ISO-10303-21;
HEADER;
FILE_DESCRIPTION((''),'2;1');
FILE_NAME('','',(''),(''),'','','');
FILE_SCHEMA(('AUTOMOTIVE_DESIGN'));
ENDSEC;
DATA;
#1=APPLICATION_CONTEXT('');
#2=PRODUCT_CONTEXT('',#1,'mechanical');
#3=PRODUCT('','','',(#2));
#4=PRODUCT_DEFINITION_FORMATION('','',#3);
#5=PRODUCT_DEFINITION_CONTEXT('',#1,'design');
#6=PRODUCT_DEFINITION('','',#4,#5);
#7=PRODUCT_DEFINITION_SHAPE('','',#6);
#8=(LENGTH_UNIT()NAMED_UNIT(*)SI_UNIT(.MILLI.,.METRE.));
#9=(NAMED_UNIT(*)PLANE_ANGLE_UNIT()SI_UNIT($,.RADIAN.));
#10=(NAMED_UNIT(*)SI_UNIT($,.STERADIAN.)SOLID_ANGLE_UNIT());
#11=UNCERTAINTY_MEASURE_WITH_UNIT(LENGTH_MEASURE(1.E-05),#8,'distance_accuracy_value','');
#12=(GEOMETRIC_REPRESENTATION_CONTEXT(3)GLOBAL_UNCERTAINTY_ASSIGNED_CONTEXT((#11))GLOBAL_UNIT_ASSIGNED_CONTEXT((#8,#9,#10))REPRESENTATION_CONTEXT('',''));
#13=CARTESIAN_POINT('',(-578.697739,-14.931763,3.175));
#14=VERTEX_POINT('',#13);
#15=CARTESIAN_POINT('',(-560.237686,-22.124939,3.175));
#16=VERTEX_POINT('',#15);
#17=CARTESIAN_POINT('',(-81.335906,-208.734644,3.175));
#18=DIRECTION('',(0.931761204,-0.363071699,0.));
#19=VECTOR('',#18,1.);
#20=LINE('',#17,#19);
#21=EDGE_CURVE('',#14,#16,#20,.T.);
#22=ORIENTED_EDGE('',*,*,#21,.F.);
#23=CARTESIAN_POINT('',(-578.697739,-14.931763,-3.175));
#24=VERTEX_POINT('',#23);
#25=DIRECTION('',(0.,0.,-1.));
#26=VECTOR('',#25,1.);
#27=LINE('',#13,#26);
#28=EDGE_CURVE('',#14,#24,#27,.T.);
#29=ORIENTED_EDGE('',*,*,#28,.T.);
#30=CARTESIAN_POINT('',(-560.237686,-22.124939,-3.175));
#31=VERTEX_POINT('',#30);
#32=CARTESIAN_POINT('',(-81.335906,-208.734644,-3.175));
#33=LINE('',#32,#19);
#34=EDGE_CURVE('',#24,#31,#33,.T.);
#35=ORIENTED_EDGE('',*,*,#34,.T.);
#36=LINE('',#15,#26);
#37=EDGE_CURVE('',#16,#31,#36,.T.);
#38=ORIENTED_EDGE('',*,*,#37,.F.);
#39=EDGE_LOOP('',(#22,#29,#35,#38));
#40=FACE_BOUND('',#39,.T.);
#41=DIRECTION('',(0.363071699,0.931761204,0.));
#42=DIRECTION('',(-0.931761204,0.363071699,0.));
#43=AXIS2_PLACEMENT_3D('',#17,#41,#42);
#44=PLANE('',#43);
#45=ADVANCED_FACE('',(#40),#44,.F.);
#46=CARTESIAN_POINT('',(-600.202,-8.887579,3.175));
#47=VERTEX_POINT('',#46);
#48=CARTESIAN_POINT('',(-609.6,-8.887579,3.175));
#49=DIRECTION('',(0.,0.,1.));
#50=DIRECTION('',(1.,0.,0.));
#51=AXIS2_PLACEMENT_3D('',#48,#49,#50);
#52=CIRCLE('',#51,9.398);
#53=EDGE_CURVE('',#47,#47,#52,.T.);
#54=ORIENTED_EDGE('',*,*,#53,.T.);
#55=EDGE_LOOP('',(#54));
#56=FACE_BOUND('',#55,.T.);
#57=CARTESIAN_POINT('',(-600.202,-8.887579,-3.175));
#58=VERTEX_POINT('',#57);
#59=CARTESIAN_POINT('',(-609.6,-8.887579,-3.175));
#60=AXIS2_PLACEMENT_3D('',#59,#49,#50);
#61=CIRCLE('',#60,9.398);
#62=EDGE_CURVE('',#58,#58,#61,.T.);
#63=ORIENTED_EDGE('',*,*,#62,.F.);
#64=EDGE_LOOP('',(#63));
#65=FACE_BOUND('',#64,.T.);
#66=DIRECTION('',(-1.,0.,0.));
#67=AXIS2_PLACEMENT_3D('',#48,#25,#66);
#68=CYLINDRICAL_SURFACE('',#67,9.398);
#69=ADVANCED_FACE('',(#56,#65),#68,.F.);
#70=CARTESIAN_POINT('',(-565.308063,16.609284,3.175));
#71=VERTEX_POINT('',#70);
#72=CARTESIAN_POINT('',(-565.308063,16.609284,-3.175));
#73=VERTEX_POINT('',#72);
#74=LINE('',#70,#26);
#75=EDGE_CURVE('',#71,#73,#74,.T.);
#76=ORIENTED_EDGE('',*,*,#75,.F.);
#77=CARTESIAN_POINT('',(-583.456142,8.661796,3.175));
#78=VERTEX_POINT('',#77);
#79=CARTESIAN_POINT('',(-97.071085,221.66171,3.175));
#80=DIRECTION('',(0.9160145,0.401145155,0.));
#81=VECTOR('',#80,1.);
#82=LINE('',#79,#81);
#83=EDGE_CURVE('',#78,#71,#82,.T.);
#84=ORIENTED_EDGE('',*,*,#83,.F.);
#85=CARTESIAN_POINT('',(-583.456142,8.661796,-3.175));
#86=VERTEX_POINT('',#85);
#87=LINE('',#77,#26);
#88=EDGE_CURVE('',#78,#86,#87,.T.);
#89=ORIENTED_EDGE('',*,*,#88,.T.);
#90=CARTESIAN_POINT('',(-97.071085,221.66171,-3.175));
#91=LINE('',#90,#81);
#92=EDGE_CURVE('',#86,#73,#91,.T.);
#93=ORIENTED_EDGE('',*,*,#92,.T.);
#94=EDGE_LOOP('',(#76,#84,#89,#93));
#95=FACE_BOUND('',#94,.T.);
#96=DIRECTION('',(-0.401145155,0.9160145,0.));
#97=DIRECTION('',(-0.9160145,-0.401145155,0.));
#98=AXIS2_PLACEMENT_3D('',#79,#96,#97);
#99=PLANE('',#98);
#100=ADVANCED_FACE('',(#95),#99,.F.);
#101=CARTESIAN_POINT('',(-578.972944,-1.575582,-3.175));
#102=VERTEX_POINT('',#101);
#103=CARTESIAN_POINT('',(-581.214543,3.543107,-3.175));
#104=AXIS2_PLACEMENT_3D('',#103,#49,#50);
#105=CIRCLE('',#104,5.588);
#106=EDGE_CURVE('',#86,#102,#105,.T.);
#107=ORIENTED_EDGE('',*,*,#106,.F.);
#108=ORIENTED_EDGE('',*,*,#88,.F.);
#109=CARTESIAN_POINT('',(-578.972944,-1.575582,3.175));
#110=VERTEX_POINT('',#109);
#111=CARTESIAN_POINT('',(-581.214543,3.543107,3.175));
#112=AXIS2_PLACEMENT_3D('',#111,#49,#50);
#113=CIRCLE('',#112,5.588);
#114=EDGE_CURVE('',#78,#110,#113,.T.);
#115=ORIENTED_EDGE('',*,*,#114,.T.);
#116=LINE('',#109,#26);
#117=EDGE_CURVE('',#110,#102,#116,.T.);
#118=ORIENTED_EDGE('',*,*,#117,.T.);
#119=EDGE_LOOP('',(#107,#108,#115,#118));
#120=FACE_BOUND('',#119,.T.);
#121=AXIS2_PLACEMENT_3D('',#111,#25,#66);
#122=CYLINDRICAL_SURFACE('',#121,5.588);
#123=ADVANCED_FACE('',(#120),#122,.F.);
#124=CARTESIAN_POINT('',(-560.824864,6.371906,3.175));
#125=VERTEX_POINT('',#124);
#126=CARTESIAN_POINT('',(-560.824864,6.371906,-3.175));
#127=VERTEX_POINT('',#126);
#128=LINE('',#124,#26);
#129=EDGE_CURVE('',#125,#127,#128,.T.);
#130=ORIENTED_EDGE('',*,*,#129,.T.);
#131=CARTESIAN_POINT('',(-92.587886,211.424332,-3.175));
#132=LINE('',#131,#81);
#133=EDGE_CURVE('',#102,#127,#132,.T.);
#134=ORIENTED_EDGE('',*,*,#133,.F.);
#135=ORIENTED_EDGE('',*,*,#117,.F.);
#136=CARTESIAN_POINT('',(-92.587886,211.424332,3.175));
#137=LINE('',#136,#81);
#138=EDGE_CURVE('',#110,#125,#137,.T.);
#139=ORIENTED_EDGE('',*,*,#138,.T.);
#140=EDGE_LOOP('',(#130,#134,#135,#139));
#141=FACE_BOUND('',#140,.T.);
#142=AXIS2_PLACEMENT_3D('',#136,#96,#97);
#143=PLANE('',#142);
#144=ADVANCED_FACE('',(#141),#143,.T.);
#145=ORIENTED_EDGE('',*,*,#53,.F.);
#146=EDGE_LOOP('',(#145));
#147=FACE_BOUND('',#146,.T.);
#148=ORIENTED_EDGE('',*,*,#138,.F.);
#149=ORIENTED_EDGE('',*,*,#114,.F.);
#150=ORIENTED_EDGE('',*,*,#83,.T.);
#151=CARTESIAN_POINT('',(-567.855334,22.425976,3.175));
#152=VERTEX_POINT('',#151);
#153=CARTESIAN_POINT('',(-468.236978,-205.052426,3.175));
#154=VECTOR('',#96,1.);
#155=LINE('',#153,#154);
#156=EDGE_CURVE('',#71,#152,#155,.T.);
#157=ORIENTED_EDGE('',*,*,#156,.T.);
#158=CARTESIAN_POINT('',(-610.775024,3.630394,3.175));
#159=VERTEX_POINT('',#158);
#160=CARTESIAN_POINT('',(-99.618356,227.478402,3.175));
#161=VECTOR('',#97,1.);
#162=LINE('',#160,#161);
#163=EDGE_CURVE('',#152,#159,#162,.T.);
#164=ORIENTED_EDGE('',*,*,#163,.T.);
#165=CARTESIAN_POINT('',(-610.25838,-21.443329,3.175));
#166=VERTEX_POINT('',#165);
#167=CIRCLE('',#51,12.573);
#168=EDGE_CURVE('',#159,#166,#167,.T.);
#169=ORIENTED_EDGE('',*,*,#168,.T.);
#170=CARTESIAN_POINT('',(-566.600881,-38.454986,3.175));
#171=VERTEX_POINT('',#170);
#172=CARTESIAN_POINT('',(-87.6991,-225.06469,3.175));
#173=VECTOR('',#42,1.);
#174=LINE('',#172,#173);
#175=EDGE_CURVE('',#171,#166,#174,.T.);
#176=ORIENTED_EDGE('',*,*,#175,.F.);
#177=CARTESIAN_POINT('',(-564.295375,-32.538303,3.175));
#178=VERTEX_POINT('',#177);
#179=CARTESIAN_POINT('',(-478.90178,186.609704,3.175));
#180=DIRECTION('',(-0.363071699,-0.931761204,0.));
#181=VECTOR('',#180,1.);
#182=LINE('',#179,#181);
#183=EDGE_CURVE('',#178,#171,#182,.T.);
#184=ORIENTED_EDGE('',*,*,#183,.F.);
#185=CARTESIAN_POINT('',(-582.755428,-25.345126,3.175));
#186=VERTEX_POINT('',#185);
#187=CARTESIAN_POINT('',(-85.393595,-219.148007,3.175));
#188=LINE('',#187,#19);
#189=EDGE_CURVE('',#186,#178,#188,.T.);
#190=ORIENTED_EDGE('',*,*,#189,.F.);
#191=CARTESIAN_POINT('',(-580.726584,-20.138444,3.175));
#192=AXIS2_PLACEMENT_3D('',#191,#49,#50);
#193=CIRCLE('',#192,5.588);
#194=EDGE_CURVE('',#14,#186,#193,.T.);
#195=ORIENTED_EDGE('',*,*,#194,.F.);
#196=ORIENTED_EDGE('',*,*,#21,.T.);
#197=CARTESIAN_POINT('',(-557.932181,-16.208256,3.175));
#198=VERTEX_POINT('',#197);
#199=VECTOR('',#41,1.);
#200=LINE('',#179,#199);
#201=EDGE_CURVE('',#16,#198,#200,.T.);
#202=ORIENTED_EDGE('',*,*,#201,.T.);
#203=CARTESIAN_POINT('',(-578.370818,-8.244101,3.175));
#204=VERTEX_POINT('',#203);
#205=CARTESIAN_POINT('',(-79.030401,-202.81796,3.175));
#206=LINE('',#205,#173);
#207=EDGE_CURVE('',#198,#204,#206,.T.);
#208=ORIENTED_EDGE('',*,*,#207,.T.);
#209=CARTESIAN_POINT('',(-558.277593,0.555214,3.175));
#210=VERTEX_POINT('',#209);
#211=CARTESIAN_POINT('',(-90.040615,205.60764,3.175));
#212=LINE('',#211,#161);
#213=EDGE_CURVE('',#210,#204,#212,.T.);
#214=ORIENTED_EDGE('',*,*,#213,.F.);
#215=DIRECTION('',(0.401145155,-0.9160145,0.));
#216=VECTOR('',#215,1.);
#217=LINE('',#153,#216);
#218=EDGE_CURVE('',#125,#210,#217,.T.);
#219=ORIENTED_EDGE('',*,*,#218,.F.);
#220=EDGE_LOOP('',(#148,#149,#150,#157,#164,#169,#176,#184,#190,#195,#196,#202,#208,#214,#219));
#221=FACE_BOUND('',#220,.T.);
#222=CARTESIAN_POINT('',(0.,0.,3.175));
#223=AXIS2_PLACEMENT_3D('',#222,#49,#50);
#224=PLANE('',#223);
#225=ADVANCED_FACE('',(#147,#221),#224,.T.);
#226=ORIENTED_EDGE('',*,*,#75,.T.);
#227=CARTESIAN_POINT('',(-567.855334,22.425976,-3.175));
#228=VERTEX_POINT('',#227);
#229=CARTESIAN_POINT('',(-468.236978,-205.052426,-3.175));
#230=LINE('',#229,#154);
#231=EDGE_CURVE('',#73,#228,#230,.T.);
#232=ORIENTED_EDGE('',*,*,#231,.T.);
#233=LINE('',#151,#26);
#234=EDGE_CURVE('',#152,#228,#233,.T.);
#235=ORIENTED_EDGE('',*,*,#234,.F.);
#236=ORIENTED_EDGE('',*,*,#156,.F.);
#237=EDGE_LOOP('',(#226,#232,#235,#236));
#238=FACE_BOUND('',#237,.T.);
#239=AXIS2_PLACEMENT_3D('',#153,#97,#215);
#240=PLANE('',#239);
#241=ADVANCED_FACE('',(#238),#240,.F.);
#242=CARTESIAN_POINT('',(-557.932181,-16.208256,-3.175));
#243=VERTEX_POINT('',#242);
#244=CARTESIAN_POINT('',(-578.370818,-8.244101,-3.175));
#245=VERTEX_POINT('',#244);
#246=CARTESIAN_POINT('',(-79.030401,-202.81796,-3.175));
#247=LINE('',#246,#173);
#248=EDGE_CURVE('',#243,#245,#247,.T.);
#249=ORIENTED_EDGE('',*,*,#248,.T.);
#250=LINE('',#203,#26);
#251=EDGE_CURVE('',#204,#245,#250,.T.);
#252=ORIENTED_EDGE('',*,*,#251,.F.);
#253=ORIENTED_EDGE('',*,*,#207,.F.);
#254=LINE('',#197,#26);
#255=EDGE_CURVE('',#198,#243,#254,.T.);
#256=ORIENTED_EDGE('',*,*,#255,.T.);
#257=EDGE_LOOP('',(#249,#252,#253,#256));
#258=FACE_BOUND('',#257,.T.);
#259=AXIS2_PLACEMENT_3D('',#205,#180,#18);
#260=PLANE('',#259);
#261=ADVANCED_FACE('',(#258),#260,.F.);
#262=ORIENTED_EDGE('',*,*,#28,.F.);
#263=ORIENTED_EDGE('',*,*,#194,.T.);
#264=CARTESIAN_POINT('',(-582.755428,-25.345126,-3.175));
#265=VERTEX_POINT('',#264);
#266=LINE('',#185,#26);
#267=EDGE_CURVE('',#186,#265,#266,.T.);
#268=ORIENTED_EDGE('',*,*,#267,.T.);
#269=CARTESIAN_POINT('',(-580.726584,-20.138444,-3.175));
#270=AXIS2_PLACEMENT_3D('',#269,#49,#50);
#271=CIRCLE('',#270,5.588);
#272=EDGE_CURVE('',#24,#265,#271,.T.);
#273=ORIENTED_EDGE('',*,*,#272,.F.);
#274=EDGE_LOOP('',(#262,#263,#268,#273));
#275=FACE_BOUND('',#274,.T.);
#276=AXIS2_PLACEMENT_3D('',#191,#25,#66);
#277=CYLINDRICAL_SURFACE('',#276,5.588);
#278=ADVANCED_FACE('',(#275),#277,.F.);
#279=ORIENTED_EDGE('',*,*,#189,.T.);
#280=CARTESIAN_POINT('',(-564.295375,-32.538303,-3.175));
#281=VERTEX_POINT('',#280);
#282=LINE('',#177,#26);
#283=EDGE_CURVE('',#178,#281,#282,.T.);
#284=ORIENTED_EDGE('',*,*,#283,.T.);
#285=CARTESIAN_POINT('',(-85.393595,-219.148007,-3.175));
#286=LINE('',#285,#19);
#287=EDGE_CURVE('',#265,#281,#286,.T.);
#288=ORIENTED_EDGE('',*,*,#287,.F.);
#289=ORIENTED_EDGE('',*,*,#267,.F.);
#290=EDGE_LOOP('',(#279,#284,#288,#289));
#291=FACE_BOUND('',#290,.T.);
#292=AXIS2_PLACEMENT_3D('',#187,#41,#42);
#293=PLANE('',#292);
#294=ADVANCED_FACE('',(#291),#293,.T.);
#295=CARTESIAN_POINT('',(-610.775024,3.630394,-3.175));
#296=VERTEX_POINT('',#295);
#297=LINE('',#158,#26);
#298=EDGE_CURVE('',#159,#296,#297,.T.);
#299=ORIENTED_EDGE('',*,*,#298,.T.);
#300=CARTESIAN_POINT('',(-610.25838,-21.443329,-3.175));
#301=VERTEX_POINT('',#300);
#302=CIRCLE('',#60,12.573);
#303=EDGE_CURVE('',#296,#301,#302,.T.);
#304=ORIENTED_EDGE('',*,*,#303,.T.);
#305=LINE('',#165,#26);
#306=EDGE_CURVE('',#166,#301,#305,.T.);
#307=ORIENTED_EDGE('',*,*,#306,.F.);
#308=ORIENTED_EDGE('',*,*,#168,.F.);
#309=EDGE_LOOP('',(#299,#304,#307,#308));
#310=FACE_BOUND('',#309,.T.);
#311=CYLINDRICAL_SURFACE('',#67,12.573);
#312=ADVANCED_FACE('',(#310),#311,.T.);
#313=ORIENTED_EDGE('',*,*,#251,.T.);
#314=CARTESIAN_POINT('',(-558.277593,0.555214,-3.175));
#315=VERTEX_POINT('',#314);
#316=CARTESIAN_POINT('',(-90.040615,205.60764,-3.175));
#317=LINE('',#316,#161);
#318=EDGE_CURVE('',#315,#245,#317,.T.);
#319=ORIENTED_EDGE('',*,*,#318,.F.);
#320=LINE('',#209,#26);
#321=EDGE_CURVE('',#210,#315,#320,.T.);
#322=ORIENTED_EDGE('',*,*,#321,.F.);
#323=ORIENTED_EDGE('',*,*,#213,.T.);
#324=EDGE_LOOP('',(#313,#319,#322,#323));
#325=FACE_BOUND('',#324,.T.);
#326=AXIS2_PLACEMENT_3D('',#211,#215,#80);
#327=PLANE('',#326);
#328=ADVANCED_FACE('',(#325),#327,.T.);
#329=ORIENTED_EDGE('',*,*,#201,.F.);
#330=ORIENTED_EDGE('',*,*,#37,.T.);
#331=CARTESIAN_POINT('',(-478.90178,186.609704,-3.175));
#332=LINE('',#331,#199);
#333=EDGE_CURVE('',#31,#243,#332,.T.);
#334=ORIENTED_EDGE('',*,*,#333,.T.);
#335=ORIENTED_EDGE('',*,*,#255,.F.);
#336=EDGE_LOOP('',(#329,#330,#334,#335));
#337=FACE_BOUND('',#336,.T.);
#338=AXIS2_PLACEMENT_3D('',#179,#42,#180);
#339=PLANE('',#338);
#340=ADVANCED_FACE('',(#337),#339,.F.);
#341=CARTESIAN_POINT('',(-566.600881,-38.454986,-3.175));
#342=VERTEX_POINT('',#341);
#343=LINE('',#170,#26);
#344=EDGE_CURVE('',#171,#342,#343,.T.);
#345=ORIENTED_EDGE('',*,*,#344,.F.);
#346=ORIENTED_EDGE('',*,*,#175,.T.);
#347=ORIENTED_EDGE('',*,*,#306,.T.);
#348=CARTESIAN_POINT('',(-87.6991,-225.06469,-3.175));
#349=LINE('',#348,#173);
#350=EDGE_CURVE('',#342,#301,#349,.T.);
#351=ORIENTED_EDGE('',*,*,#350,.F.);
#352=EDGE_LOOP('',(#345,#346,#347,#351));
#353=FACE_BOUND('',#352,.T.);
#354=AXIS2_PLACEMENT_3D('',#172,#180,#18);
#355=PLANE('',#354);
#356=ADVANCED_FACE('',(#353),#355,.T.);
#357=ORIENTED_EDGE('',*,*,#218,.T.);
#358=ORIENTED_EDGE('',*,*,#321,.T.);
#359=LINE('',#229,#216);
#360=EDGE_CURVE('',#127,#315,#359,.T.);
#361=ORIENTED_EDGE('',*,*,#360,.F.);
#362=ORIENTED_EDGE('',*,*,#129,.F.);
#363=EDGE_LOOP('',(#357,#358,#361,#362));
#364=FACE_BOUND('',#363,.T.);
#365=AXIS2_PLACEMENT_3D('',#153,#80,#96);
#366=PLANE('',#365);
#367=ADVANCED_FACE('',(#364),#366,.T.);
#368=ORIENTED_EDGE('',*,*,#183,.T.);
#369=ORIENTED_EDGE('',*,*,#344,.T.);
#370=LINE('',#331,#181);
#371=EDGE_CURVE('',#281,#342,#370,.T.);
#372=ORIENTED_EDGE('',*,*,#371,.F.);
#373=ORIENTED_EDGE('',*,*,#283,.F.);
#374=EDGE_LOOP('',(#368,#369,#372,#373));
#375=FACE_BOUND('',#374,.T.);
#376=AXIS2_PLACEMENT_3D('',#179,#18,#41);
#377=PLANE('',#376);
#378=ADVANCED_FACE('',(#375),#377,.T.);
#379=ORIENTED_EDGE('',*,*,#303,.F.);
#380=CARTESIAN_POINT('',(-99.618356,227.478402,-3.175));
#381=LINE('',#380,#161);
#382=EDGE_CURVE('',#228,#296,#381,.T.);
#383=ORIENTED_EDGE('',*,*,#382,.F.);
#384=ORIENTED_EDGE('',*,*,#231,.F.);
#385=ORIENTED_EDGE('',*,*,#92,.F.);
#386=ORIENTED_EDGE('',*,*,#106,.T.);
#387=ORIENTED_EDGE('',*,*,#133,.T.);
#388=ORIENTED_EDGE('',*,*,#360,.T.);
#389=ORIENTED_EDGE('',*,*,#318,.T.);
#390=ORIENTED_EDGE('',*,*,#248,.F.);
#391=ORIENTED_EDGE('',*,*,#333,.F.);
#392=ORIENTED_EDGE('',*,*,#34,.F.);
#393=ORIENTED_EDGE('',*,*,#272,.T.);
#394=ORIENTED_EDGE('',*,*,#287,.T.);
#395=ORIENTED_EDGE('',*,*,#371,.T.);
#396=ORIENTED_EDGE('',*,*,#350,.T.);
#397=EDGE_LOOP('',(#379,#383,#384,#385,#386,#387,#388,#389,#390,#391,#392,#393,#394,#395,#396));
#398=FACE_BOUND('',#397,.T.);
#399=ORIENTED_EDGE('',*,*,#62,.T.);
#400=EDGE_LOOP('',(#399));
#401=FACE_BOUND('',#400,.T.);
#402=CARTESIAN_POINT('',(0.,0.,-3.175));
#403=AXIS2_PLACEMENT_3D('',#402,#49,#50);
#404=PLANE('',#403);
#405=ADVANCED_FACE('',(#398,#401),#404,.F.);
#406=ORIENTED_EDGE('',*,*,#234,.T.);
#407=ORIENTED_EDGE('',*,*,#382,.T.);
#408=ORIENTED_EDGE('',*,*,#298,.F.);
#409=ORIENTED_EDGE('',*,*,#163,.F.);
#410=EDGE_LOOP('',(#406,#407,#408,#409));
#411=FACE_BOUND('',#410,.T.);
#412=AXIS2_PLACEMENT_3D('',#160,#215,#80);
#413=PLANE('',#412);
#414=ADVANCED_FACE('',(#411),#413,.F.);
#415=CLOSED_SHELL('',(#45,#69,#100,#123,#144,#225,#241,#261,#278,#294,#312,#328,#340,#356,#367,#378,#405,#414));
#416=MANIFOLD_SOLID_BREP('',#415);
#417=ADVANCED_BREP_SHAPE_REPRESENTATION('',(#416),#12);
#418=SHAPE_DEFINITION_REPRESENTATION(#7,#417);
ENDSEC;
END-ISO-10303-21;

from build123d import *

# Parameters (mm, degrees)
SKETCH1_R           = 12.573
SKETCH1_R_2         = 9.398
BOSS_EXTRUDE1_DEPTH = 3.175


with BuildPart() as part:
    # Sketch1 → Boss-Extrude1 (new body, symmetric)
    with BuildSketch(Plane.XY):
        with BuildLine():
            ThreePointArc((-578.972943543, -1.57558157), (-586.333231698, 1.301508328), (-583.456141799, 8.661796483))
            Line((-583.456141799, 8.661796483), (-565.308062523, 16.6092843))
            Line((-565.308062523, 16.6092843), (-567.855334259, 22.425976375))
            Line((-567.855334259, 22.425976375), (-610.775024162, 3.630394351))
            ThreePointArc((-610.775024162, 3.630394351), (-605.901582727, 3.129161319), (-601.589679699, 0.803401606))
            Line((-601.589679699, 0.803401606), (-578.370817834, -8.244100669))
            Line((-578.370817834, -8.244100669), (-558.277592531, 0.555214171))
            Line((-558.277592531, 0.555214171), (-560.824864268, 6.371906247))
            Line((-560.824864268, 6.371906247), (-578.972943543, -1.57558157))
        make_face()
        with BuildLine():
            Line((-578.370817834, -8.244100669), (-601.589679699, 0.803401606))
            ThreePointArc((-601.589679699, 0.803401606), (-598.22471789, -3.531900701), (-597.027, -8.887578616))
            ThreePointArc((-597.027, -8.887578616), (-598.11680147, -14.007781788), (-601.197282434, -18.240367853))
            Line((-601.197282434, -18.240367853), (-578.370817834, -8.244100669))
        make_face()
        with BuildLine():
            ThreePointArc((-601.197282434, -18.240367853), (-605.409721654, -20.741771815), (-610.258379573, -21.443328906))
            Line((-610.258379573, -21.443328906), (-566.600880762, -38.454986158))
            Line((-566.600880762, -38.454986158), (-564.295375476, -32.538302511))
            Line((-564.295375476, -32.538302511), (-582.755428455, -25.34512602))
            ThreePointArc((-582.755428455, -25.34512602), (-585.933265412, -18.109599759), (-578.697739152, -14.931762801))
            Line((-578.697739152, -14.931762801), (-560.237686173, -22.124939293))
            Line((-560.237686173, -22.124939293), (-557.932180888, -16.208255646))
            Line((-557.932180888, -16.208255646), (-578.370817834, -8.244100669))
            Line((-578.370817834, -8.244100669), (-601.197282434, -18.240367853))
        make_face()
        with Locations((-609.6, -8.887578616)):
            Circle(SKETCH1_R)
        with Locations((-609.6, -8.887578616)):
            Circle(SKETCH1_R_2, mode=Mode.SUBTRACT)
    extrude(amount=BOSS_EXTRUDE1_DEPTH, both=True)


solid = part.part
